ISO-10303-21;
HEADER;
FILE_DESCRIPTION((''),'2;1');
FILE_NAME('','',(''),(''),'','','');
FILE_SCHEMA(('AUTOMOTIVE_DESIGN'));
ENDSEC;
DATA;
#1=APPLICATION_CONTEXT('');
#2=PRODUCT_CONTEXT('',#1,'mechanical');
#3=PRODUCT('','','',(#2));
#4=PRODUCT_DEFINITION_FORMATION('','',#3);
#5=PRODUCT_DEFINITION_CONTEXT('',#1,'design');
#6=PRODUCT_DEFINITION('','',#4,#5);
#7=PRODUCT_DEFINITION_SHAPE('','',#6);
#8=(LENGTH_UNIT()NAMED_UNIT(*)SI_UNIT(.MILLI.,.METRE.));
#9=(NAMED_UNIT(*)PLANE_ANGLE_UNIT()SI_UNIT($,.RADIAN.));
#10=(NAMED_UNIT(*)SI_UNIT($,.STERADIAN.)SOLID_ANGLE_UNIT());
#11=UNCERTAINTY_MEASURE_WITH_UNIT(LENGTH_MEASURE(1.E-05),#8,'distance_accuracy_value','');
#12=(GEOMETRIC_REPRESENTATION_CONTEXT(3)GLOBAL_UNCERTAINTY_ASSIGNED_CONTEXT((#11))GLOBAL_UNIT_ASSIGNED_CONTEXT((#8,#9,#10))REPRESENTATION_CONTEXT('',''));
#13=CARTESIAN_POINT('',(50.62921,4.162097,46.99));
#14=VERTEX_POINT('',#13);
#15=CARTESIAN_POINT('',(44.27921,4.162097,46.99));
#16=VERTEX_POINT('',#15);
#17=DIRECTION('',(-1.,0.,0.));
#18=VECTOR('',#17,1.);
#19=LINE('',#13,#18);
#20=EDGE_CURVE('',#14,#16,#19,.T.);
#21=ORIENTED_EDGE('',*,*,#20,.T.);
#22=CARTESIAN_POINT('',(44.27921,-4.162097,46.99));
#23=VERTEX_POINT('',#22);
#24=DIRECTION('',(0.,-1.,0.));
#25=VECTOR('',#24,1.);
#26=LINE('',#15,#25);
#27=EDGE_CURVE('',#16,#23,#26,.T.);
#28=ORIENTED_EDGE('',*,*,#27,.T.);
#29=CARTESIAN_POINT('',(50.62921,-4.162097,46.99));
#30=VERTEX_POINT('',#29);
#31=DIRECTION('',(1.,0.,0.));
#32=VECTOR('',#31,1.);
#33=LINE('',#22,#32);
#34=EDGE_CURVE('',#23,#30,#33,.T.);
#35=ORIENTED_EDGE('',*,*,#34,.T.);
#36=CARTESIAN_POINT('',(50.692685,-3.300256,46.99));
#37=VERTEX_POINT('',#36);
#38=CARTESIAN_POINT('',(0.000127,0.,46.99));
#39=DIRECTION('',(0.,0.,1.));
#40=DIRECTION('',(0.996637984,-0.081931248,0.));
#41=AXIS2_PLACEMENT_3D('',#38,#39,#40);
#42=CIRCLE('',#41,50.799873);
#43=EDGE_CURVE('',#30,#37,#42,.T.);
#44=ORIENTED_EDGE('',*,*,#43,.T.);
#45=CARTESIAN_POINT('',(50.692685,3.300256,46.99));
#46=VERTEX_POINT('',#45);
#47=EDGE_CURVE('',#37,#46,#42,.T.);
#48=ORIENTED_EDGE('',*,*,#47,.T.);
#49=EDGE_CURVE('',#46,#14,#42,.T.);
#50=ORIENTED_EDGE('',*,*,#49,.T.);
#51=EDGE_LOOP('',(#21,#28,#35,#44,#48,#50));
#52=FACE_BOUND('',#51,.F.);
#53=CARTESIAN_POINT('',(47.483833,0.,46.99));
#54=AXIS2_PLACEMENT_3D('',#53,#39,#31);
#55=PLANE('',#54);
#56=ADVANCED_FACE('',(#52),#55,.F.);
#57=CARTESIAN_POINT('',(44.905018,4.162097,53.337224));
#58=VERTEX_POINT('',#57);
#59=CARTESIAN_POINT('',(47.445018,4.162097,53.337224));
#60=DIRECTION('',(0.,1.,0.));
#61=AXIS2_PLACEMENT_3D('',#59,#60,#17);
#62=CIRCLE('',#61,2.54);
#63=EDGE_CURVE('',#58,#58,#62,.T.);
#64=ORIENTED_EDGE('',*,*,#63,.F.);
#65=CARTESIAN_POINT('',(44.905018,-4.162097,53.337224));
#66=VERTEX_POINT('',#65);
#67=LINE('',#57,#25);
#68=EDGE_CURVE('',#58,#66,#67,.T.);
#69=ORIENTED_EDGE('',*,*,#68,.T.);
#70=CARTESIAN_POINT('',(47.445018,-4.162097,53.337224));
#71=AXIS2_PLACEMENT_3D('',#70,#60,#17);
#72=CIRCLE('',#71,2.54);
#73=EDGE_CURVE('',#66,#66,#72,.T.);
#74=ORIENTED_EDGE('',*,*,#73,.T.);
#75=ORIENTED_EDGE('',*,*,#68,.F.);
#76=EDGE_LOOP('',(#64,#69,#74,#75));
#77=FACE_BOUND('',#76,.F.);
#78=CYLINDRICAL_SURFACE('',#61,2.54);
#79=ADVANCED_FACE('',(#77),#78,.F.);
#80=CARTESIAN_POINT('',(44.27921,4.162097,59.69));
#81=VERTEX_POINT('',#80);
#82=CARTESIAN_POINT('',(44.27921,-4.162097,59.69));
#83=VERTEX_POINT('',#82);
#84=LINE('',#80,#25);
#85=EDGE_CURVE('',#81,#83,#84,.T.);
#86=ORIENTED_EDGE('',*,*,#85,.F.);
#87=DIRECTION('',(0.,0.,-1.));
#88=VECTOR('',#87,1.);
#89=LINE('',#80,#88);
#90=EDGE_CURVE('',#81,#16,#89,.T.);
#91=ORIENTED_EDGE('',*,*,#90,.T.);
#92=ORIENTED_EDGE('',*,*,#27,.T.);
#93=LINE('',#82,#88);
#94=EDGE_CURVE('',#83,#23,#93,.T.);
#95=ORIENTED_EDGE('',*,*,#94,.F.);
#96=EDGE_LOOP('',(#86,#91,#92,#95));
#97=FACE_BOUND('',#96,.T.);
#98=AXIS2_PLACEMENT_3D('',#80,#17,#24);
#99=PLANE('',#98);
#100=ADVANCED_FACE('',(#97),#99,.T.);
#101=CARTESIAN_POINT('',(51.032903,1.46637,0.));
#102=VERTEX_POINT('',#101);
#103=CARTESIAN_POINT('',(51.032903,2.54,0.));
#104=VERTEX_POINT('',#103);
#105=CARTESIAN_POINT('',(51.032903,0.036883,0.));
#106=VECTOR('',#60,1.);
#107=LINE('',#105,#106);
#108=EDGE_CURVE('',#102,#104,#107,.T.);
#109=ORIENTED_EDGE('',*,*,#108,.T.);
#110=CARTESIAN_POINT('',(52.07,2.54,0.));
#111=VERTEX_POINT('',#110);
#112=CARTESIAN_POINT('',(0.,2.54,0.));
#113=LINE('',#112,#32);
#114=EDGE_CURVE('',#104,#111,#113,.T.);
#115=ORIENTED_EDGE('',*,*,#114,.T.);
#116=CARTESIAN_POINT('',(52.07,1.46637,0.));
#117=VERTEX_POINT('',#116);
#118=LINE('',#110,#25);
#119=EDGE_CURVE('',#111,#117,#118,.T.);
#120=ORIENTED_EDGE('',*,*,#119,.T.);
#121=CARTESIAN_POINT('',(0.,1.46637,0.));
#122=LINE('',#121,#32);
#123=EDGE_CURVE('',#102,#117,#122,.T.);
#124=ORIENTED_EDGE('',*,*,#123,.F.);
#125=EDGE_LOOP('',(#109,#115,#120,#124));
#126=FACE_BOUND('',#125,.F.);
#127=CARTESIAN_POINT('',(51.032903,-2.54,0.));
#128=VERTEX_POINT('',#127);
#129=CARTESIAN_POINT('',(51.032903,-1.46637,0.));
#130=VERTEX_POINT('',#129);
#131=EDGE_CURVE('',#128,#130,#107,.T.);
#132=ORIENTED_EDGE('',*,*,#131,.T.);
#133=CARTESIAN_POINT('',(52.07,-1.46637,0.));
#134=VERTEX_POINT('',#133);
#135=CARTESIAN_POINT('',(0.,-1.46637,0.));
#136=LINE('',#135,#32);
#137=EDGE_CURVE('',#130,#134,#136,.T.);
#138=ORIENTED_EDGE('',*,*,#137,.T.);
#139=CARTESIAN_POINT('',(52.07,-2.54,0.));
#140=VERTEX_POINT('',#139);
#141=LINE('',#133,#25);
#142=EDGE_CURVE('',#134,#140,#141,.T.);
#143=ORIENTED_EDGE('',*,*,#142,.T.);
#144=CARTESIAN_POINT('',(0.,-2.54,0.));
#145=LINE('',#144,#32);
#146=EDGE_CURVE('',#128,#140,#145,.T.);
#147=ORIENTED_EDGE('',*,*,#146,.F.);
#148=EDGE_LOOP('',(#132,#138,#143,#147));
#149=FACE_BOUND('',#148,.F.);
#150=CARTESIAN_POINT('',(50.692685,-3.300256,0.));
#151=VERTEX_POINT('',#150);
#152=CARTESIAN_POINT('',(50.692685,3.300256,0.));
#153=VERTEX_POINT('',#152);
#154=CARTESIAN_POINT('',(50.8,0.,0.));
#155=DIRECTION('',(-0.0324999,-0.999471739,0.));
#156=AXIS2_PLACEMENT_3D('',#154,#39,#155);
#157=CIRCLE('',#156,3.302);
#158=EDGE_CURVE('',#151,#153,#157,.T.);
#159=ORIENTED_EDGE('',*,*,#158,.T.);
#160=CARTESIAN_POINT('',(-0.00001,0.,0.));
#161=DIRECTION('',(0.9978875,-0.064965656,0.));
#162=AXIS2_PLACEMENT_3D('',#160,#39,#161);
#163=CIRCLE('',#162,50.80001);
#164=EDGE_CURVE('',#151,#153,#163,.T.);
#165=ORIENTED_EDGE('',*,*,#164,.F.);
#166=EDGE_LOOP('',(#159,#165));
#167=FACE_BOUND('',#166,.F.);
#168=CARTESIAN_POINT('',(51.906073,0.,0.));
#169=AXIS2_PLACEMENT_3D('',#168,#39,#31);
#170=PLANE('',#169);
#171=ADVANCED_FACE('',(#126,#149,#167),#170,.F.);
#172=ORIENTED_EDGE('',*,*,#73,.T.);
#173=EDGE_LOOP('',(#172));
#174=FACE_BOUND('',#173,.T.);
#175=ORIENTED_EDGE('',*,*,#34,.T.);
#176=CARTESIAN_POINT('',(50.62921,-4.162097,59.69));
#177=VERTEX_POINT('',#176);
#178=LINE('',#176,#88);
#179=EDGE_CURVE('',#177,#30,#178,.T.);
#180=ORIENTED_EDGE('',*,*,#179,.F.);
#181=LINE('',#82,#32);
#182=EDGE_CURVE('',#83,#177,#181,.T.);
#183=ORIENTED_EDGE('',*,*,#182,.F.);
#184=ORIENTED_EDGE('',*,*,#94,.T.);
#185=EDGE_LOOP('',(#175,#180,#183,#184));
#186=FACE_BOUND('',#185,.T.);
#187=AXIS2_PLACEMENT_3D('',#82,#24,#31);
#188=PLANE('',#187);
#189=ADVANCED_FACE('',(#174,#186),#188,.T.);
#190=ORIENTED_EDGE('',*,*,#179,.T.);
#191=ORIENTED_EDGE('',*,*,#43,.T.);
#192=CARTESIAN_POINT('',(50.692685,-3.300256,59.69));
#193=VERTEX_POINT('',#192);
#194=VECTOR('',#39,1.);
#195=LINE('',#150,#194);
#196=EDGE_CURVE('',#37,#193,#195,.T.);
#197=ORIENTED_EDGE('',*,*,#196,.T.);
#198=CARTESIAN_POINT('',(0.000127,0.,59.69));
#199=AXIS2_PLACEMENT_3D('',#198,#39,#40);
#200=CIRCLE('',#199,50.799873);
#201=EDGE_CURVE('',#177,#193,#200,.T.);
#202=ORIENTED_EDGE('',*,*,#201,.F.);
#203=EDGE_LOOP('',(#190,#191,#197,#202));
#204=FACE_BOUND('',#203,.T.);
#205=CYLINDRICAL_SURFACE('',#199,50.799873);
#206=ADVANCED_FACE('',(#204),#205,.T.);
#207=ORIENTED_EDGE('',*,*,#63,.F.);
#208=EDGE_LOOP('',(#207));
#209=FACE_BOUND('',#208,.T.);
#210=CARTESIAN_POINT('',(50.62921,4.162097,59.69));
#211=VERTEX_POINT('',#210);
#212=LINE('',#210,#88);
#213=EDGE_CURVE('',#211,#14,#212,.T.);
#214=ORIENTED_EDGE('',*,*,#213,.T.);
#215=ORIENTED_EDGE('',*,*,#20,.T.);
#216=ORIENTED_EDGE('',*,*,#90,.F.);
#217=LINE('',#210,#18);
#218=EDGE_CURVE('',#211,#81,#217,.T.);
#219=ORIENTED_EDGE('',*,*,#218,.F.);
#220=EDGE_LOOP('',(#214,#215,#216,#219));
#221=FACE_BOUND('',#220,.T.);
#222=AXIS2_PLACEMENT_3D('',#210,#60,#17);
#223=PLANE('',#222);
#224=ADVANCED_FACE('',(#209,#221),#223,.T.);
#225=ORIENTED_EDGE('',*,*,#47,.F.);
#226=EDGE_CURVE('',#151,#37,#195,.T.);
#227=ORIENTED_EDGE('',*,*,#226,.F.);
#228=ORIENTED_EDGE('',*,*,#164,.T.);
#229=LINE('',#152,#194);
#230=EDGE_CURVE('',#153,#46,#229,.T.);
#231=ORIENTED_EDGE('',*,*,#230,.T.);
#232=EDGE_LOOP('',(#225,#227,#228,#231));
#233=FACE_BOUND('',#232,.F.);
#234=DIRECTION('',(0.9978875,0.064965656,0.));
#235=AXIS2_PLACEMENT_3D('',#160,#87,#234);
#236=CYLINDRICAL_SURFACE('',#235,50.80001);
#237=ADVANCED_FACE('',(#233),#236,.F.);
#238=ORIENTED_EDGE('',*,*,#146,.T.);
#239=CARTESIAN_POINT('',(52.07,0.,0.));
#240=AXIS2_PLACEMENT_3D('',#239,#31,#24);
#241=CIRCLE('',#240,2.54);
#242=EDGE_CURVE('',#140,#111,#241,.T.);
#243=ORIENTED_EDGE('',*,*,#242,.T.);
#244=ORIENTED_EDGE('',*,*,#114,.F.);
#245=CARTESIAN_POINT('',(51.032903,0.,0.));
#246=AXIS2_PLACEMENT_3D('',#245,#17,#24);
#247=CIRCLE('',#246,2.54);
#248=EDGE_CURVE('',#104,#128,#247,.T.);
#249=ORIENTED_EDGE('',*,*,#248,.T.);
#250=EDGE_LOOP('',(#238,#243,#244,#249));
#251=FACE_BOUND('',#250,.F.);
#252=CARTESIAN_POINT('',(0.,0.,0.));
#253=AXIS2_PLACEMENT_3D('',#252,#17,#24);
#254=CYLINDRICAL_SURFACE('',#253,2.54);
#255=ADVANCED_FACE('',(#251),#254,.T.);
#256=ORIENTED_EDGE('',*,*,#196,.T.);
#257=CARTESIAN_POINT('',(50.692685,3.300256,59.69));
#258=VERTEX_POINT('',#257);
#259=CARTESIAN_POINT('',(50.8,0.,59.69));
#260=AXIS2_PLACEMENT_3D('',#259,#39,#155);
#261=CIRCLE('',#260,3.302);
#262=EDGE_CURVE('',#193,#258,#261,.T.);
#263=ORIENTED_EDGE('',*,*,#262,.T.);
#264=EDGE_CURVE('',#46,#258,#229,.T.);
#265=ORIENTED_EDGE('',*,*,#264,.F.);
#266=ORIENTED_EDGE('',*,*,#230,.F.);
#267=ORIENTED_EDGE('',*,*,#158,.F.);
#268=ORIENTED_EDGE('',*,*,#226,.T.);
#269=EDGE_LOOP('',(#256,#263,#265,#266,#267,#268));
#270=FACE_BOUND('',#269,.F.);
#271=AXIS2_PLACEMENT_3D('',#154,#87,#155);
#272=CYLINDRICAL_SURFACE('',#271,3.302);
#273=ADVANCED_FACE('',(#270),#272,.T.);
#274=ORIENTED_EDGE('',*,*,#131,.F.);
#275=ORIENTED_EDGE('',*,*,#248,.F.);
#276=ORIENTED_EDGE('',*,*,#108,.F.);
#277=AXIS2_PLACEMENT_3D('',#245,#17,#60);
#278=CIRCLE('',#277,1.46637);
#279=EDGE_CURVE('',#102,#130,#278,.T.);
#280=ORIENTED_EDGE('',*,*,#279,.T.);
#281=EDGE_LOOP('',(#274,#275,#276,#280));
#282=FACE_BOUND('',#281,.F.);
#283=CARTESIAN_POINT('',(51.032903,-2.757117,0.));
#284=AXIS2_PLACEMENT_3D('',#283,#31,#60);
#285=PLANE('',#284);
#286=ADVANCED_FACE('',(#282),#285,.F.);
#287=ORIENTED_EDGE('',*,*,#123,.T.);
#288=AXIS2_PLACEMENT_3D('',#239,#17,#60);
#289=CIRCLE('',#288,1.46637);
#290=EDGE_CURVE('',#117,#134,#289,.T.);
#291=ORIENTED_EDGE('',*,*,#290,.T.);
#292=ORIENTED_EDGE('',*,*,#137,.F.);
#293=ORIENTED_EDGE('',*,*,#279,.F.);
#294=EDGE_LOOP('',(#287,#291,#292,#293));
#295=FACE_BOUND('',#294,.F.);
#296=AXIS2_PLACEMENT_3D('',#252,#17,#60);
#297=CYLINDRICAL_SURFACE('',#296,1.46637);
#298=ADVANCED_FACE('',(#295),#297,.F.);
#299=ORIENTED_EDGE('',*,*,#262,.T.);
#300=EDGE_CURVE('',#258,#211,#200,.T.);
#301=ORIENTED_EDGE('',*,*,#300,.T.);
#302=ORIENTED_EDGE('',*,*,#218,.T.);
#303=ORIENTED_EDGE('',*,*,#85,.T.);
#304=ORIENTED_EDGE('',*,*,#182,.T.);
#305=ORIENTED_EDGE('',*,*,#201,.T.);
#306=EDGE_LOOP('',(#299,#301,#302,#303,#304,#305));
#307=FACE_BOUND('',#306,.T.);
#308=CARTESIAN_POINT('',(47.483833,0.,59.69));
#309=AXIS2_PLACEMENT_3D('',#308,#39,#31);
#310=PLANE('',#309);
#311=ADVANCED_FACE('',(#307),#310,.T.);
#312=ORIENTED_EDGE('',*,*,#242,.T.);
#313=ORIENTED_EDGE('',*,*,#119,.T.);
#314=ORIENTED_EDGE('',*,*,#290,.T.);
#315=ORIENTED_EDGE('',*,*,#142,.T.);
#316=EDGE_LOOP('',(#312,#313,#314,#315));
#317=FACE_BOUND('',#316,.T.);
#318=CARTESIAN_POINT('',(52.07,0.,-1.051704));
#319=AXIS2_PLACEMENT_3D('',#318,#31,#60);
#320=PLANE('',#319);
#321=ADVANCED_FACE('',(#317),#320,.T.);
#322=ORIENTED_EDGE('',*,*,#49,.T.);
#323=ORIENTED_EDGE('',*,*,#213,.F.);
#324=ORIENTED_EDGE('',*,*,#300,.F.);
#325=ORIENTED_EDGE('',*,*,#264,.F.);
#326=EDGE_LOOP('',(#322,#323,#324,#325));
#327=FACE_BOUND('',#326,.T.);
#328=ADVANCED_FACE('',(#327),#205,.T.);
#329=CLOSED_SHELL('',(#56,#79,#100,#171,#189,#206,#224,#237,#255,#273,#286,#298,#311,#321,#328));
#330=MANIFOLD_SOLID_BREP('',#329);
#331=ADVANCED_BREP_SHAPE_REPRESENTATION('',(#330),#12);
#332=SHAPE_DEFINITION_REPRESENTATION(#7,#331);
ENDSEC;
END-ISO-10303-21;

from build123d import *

# Parameters (mm, degrees)
F1_DEPTH  = 59.69
F3_DEPTH  = 12.7
F5_R      = 2.54
F6_DEPTH  = 25.4
F8_DEPTH  = 52.07
F9_W      = 75.692
F9_H      = 5.588
F10_DEPTH = 25.4


with BuildPart() as f1:
    # F0 (on Top) → F1 (new body)
    with BuildSketch(Plane.XY):
        with BuildLine():
            ThreePointArc((50.692685, 3.300256), (50.8, 0), (50.692685, -3.300256))
            ThreePointArc((50.692685, -3.300256), (54.102, 0), (50.692685, 3.300256))
        make_face()
    extrude(amount=F1_DEPTH)

    # F2 (on face) → F3 (join)
    with BuildSketch(Plane.XY.offset(59.69)):
        with BuildLine():
            Line((44.27921, -4.162097), (50.62921, -4.162097))
            ThreePointArc((50.62921, -4.162097), (50.8, 0), (50.62921, 4.162097))
            Line((50.62921, 4.162097), (44.27921, 4.162097))
            Line((44.27921, 4.162097), (44.27921, -4.162097))
        make_face()
    extrude(amount=-F3_DEPTH)

    # F5 (on face) → F6 (cut)
    with BuildSketch(Plane(origin=(0, 4.162097, 0), x_dir=(-1, 0, 0), z_dir=(0, 1, 0))):
        with Locations((-47.445018, 53.337224)):
            Circle(F5_R)
    extrude(amount=-F6_DEPTH, mode=Mode.SUBTRACT)

    # F7 (on Right) → F8 (join)
    with BuildSketch(Plane.YZ):
        with BuildLine():
            ThreePointArc((1.46637, 0), (0, -1.46637), (-1.46637, 0))
            Line((-1.46637, 0), (-2.54, 0))
            ThreePointArc((-2.54, 0), (0, -2.54), (2.54, 0))
            Line((2.54, 0), (1.46637, 0))
        make_face()
    extrude(amount=F8_DEPTH)

    # F9 (on Top) → F10 (cut)
    with BuildSketch(Plane.XY):
        with Locations((13.186903, 0.036883)):
            Rectangle(F9_W, F9_H)
    extrude(amount=-F10_DEPTH, mode=Mode.SUBTRACT)


solid = f1.part
